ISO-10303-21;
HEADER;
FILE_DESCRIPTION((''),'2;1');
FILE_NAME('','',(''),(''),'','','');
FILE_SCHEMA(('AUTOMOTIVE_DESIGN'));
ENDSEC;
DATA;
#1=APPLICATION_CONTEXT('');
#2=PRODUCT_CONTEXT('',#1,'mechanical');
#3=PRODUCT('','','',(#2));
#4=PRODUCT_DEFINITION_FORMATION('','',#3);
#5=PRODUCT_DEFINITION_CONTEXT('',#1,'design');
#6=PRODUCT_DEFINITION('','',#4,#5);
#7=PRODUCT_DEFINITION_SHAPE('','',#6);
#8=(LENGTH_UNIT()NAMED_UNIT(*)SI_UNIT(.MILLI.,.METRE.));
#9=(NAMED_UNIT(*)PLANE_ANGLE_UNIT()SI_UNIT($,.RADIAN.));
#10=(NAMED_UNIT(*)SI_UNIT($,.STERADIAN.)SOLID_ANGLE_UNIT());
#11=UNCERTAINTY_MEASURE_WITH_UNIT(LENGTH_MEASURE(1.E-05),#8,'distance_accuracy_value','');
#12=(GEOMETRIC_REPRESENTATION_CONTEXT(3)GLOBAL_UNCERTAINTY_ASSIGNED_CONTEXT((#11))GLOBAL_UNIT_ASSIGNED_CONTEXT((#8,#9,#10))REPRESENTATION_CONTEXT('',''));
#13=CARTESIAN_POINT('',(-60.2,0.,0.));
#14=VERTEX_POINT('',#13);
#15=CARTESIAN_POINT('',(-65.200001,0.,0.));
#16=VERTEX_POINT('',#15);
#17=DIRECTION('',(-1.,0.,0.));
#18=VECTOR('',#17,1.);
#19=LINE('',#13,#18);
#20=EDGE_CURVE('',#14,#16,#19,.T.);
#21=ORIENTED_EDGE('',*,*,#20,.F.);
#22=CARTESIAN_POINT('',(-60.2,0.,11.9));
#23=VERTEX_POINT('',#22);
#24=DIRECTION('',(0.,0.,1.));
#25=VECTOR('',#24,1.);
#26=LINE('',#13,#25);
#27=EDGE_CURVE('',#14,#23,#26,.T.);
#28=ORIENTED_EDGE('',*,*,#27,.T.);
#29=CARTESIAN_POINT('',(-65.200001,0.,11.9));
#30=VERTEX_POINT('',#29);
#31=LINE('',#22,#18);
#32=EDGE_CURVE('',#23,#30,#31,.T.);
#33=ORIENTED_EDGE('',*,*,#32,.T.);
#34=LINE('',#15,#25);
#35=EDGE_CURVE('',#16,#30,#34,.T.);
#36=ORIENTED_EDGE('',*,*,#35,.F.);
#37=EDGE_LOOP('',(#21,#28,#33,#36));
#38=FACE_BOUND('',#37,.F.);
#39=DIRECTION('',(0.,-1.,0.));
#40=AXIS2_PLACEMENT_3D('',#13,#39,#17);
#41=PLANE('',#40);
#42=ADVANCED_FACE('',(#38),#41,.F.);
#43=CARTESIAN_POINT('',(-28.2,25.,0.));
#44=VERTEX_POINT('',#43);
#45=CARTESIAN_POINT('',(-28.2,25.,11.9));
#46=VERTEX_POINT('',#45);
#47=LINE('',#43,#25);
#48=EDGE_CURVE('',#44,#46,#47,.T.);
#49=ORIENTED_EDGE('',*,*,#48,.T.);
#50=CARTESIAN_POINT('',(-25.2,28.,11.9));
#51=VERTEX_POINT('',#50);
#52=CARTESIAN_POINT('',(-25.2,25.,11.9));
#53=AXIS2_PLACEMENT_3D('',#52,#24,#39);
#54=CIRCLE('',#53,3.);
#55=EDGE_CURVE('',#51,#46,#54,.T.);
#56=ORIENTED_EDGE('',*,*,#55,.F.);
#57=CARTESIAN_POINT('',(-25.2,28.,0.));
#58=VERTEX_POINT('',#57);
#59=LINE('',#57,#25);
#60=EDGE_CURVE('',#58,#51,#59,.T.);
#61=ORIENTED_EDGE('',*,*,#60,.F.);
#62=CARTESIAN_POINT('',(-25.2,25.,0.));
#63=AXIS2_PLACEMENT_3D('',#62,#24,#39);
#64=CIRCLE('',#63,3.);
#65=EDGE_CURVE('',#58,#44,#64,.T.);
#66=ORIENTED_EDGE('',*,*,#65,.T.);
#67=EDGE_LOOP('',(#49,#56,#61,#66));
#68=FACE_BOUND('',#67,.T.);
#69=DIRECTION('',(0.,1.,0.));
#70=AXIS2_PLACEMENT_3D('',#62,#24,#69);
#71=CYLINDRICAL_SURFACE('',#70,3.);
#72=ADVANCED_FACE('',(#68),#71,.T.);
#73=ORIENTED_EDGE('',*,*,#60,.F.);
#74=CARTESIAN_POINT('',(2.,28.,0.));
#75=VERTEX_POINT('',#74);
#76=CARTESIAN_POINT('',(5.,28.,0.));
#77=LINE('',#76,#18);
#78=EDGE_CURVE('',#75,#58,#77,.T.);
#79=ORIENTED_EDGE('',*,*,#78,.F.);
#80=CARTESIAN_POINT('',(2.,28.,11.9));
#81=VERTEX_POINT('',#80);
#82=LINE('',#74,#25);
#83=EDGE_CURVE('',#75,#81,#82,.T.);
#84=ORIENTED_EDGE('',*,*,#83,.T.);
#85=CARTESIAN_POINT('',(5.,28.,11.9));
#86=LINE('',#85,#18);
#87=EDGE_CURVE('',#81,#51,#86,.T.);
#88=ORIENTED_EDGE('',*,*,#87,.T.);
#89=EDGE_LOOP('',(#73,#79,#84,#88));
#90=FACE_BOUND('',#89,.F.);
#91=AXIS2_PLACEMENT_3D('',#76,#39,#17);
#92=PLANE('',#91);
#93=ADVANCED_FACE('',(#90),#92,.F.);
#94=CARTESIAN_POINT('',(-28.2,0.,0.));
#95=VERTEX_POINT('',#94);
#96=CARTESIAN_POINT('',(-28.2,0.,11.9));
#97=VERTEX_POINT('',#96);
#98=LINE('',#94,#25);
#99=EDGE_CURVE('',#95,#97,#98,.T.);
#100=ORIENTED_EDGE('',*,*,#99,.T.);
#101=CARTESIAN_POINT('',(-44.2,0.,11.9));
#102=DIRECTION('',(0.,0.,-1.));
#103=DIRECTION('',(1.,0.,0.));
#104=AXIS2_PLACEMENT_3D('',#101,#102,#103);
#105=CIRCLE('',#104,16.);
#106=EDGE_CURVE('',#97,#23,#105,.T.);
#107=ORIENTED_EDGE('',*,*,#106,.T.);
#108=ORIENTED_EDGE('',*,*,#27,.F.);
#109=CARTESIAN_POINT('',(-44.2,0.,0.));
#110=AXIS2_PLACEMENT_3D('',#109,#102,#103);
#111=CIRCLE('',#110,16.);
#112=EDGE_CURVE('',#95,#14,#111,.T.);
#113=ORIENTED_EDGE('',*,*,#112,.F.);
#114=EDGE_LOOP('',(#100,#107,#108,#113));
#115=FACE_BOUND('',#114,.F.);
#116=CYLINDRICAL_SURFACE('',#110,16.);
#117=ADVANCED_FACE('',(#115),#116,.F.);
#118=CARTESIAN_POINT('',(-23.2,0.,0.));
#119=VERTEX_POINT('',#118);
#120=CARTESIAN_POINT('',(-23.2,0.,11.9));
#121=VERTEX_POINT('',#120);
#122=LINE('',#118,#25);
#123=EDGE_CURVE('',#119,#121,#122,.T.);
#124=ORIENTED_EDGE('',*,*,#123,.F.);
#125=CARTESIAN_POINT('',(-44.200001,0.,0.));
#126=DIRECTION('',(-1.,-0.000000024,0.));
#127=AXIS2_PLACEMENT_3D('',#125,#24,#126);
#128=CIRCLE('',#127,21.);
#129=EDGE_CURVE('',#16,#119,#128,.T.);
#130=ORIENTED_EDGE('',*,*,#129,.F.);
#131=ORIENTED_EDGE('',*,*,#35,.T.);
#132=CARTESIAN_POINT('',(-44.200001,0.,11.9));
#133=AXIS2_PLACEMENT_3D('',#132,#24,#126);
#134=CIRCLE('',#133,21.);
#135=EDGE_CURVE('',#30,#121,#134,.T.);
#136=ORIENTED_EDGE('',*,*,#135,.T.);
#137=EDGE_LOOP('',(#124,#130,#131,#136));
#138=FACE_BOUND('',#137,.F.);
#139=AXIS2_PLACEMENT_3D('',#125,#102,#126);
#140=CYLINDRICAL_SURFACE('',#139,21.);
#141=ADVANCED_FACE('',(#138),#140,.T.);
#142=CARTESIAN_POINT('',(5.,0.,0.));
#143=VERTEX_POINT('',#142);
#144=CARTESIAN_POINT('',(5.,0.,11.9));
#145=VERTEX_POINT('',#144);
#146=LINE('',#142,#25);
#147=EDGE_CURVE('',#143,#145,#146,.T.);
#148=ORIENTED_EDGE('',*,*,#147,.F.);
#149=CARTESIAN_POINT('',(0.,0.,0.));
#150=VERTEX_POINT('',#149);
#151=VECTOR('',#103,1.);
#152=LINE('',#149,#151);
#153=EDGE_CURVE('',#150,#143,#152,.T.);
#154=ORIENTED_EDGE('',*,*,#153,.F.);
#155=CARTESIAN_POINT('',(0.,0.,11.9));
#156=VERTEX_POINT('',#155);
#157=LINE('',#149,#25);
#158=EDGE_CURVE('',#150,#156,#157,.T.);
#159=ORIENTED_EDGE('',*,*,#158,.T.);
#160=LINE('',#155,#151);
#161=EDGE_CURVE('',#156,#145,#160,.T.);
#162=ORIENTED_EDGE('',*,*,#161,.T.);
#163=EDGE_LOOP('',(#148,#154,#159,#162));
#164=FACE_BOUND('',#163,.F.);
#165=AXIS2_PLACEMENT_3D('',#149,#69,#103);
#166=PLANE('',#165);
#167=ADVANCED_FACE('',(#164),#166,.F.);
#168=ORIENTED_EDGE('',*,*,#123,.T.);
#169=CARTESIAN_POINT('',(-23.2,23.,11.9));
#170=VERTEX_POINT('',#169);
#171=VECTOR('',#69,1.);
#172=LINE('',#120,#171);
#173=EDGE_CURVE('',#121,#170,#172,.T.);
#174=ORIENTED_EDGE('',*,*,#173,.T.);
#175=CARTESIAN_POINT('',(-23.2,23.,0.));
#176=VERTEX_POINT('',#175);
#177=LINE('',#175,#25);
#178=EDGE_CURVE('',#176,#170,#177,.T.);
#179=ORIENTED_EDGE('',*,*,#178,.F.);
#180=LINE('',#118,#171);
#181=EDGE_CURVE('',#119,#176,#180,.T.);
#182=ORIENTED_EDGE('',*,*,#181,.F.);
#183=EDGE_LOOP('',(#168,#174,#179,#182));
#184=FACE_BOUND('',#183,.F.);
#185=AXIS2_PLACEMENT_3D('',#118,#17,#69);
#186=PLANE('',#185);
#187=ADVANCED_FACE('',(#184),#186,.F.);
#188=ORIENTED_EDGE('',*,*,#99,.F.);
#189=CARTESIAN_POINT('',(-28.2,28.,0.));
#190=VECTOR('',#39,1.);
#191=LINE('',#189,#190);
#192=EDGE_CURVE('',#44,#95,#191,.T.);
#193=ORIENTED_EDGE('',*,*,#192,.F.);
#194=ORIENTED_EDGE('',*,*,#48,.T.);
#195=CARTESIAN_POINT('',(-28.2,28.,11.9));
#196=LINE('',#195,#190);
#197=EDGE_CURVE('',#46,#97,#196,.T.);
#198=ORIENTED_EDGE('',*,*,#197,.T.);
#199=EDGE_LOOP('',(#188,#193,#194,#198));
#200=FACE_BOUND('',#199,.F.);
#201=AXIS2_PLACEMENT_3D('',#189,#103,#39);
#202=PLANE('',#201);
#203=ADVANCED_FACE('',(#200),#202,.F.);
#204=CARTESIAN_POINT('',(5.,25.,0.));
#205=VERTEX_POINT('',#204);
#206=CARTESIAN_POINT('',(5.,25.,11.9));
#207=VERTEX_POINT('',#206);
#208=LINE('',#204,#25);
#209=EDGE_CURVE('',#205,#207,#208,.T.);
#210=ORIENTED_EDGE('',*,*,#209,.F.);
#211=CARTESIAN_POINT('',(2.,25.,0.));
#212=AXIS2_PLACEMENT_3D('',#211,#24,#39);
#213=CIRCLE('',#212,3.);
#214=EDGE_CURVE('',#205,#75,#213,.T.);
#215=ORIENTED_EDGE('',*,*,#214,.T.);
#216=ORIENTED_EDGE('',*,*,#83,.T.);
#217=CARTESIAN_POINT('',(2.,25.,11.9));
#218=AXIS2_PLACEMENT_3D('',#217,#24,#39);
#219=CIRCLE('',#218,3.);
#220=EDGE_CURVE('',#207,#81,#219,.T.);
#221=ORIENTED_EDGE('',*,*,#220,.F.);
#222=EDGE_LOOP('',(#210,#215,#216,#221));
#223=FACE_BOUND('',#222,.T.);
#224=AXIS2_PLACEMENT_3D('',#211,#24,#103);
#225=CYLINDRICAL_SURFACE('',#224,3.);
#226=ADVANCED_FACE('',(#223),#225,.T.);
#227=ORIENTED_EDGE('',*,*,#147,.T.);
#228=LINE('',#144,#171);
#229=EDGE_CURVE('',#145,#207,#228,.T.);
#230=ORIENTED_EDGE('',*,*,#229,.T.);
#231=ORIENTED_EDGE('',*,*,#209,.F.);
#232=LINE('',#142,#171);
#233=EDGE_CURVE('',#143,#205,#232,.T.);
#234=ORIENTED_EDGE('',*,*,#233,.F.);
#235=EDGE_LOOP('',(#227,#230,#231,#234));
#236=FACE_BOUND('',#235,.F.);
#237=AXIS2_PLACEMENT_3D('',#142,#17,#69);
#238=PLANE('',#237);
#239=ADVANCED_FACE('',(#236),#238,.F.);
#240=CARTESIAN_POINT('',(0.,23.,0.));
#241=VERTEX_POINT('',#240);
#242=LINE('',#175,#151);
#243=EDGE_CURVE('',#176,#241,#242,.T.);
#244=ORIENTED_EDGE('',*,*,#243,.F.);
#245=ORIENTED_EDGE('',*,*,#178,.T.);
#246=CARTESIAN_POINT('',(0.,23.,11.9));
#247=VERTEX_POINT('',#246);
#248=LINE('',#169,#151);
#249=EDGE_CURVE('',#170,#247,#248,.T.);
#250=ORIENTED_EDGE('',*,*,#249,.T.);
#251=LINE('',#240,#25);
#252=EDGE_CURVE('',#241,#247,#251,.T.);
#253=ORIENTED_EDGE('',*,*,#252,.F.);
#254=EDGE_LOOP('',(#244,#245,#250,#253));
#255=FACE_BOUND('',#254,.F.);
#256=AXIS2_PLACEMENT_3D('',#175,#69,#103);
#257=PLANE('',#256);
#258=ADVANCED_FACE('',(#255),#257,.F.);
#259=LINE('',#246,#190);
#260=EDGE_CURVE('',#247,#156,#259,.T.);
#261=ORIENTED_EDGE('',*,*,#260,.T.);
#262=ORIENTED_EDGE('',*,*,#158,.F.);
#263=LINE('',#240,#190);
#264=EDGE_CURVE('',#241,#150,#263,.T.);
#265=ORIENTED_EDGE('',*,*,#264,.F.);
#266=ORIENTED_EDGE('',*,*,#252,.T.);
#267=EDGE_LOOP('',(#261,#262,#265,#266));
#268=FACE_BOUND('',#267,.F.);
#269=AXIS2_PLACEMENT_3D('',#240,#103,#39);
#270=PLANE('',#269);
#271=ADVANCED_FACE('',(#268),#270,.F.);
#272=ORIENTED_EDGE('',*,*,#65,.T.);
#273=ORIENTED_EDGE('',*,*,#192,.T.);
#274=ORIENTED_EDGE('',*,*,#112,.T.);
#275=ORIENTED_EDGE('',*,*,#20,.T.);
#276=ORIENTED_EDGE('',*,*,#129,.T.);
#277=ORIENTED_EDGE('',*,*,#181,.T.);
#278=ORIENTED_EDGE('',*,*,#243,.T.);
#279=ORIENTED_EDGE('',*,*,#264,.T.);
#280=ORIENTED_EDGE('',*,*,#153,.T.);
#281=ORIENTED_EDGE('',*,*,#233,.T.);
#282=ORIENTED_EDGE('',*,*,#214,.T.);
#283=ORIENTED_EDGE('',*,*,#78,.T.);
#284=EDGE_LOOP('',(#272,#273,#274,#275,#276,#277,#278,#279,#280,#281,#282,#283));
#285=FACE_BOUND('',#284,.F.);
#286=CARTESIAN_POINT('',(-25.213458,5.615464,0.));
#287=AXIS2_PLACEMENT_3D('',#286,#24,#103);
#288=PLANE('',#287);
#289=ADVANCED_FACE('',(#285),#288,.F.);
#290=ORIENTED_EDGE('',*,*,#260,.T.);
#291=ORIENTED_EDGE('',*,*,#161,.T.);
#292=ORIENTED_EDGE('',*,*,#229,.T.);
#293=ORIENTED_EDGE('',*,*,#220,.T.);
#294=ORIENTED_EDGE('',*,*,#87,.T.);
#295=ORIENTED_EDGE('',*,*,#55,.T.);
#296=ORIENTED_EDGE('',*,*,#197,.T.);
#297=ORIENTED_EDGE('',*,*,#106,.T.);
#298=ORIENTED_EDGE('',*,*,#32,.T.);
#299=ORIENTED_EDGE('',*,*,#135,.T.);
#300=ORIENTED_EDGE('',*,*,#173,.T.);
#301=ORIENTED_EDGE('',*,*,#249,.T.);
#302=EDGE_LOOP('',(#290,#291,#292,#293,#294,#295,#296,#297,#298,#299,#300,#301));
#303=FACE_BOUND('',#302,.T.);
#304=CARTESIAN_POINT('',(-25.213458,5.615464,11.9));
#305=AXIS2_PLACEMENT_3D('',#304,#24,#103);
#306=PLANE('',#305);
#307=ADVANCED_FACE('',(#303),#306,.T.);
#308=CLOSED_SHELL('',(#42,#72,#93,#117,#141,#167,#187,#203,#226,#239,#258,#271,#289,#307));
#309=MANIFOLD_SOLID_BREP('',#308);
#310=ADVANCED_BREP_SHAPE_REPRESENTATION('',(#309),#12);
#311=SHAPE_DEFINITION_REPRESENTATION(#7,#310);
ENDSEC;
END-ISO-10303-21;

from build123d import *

# Parameters (mm, degrees)
F1_DEPTH = 11.9
F2_R     = 3


with BuildPart() as f1:
    # F0 (on Top) → F1 (new body)
    with BuildSketch(Plane.XY):
        with BuildLine():
            Line((0, 23), (0, 0))
            Line((0, 0), (5, 0))
            Line((5, 0), (5, 28))
            Line((5, 28), (-28.2, 28))
            Line((-28.2, 28), (-28.2, 0))
            ThreePointArc((-28.2, 0), (-44.2, -16), (-60.2, 0))
            Line((-60.2, 0), (-65.200001, 0))
            ThreePointArc((-65.200001, 0), (-44.2, -21), (-23.2, 0))
            Line((-23.2, 0), (-23.2, 23))
            Line((-23.2, 23), (0, 23))
        make_face()
    extrude(amount=F1_DEPTH)

    # F2
    f2_edges = [f1.edges().sort_by_distance(p)[0] for p in [
        (-28.2, 28, 5.95),
        (5, 28, 5.95),
    ]]
    fillet(f2_edges, radius=F2_R)


solid = f1.part
